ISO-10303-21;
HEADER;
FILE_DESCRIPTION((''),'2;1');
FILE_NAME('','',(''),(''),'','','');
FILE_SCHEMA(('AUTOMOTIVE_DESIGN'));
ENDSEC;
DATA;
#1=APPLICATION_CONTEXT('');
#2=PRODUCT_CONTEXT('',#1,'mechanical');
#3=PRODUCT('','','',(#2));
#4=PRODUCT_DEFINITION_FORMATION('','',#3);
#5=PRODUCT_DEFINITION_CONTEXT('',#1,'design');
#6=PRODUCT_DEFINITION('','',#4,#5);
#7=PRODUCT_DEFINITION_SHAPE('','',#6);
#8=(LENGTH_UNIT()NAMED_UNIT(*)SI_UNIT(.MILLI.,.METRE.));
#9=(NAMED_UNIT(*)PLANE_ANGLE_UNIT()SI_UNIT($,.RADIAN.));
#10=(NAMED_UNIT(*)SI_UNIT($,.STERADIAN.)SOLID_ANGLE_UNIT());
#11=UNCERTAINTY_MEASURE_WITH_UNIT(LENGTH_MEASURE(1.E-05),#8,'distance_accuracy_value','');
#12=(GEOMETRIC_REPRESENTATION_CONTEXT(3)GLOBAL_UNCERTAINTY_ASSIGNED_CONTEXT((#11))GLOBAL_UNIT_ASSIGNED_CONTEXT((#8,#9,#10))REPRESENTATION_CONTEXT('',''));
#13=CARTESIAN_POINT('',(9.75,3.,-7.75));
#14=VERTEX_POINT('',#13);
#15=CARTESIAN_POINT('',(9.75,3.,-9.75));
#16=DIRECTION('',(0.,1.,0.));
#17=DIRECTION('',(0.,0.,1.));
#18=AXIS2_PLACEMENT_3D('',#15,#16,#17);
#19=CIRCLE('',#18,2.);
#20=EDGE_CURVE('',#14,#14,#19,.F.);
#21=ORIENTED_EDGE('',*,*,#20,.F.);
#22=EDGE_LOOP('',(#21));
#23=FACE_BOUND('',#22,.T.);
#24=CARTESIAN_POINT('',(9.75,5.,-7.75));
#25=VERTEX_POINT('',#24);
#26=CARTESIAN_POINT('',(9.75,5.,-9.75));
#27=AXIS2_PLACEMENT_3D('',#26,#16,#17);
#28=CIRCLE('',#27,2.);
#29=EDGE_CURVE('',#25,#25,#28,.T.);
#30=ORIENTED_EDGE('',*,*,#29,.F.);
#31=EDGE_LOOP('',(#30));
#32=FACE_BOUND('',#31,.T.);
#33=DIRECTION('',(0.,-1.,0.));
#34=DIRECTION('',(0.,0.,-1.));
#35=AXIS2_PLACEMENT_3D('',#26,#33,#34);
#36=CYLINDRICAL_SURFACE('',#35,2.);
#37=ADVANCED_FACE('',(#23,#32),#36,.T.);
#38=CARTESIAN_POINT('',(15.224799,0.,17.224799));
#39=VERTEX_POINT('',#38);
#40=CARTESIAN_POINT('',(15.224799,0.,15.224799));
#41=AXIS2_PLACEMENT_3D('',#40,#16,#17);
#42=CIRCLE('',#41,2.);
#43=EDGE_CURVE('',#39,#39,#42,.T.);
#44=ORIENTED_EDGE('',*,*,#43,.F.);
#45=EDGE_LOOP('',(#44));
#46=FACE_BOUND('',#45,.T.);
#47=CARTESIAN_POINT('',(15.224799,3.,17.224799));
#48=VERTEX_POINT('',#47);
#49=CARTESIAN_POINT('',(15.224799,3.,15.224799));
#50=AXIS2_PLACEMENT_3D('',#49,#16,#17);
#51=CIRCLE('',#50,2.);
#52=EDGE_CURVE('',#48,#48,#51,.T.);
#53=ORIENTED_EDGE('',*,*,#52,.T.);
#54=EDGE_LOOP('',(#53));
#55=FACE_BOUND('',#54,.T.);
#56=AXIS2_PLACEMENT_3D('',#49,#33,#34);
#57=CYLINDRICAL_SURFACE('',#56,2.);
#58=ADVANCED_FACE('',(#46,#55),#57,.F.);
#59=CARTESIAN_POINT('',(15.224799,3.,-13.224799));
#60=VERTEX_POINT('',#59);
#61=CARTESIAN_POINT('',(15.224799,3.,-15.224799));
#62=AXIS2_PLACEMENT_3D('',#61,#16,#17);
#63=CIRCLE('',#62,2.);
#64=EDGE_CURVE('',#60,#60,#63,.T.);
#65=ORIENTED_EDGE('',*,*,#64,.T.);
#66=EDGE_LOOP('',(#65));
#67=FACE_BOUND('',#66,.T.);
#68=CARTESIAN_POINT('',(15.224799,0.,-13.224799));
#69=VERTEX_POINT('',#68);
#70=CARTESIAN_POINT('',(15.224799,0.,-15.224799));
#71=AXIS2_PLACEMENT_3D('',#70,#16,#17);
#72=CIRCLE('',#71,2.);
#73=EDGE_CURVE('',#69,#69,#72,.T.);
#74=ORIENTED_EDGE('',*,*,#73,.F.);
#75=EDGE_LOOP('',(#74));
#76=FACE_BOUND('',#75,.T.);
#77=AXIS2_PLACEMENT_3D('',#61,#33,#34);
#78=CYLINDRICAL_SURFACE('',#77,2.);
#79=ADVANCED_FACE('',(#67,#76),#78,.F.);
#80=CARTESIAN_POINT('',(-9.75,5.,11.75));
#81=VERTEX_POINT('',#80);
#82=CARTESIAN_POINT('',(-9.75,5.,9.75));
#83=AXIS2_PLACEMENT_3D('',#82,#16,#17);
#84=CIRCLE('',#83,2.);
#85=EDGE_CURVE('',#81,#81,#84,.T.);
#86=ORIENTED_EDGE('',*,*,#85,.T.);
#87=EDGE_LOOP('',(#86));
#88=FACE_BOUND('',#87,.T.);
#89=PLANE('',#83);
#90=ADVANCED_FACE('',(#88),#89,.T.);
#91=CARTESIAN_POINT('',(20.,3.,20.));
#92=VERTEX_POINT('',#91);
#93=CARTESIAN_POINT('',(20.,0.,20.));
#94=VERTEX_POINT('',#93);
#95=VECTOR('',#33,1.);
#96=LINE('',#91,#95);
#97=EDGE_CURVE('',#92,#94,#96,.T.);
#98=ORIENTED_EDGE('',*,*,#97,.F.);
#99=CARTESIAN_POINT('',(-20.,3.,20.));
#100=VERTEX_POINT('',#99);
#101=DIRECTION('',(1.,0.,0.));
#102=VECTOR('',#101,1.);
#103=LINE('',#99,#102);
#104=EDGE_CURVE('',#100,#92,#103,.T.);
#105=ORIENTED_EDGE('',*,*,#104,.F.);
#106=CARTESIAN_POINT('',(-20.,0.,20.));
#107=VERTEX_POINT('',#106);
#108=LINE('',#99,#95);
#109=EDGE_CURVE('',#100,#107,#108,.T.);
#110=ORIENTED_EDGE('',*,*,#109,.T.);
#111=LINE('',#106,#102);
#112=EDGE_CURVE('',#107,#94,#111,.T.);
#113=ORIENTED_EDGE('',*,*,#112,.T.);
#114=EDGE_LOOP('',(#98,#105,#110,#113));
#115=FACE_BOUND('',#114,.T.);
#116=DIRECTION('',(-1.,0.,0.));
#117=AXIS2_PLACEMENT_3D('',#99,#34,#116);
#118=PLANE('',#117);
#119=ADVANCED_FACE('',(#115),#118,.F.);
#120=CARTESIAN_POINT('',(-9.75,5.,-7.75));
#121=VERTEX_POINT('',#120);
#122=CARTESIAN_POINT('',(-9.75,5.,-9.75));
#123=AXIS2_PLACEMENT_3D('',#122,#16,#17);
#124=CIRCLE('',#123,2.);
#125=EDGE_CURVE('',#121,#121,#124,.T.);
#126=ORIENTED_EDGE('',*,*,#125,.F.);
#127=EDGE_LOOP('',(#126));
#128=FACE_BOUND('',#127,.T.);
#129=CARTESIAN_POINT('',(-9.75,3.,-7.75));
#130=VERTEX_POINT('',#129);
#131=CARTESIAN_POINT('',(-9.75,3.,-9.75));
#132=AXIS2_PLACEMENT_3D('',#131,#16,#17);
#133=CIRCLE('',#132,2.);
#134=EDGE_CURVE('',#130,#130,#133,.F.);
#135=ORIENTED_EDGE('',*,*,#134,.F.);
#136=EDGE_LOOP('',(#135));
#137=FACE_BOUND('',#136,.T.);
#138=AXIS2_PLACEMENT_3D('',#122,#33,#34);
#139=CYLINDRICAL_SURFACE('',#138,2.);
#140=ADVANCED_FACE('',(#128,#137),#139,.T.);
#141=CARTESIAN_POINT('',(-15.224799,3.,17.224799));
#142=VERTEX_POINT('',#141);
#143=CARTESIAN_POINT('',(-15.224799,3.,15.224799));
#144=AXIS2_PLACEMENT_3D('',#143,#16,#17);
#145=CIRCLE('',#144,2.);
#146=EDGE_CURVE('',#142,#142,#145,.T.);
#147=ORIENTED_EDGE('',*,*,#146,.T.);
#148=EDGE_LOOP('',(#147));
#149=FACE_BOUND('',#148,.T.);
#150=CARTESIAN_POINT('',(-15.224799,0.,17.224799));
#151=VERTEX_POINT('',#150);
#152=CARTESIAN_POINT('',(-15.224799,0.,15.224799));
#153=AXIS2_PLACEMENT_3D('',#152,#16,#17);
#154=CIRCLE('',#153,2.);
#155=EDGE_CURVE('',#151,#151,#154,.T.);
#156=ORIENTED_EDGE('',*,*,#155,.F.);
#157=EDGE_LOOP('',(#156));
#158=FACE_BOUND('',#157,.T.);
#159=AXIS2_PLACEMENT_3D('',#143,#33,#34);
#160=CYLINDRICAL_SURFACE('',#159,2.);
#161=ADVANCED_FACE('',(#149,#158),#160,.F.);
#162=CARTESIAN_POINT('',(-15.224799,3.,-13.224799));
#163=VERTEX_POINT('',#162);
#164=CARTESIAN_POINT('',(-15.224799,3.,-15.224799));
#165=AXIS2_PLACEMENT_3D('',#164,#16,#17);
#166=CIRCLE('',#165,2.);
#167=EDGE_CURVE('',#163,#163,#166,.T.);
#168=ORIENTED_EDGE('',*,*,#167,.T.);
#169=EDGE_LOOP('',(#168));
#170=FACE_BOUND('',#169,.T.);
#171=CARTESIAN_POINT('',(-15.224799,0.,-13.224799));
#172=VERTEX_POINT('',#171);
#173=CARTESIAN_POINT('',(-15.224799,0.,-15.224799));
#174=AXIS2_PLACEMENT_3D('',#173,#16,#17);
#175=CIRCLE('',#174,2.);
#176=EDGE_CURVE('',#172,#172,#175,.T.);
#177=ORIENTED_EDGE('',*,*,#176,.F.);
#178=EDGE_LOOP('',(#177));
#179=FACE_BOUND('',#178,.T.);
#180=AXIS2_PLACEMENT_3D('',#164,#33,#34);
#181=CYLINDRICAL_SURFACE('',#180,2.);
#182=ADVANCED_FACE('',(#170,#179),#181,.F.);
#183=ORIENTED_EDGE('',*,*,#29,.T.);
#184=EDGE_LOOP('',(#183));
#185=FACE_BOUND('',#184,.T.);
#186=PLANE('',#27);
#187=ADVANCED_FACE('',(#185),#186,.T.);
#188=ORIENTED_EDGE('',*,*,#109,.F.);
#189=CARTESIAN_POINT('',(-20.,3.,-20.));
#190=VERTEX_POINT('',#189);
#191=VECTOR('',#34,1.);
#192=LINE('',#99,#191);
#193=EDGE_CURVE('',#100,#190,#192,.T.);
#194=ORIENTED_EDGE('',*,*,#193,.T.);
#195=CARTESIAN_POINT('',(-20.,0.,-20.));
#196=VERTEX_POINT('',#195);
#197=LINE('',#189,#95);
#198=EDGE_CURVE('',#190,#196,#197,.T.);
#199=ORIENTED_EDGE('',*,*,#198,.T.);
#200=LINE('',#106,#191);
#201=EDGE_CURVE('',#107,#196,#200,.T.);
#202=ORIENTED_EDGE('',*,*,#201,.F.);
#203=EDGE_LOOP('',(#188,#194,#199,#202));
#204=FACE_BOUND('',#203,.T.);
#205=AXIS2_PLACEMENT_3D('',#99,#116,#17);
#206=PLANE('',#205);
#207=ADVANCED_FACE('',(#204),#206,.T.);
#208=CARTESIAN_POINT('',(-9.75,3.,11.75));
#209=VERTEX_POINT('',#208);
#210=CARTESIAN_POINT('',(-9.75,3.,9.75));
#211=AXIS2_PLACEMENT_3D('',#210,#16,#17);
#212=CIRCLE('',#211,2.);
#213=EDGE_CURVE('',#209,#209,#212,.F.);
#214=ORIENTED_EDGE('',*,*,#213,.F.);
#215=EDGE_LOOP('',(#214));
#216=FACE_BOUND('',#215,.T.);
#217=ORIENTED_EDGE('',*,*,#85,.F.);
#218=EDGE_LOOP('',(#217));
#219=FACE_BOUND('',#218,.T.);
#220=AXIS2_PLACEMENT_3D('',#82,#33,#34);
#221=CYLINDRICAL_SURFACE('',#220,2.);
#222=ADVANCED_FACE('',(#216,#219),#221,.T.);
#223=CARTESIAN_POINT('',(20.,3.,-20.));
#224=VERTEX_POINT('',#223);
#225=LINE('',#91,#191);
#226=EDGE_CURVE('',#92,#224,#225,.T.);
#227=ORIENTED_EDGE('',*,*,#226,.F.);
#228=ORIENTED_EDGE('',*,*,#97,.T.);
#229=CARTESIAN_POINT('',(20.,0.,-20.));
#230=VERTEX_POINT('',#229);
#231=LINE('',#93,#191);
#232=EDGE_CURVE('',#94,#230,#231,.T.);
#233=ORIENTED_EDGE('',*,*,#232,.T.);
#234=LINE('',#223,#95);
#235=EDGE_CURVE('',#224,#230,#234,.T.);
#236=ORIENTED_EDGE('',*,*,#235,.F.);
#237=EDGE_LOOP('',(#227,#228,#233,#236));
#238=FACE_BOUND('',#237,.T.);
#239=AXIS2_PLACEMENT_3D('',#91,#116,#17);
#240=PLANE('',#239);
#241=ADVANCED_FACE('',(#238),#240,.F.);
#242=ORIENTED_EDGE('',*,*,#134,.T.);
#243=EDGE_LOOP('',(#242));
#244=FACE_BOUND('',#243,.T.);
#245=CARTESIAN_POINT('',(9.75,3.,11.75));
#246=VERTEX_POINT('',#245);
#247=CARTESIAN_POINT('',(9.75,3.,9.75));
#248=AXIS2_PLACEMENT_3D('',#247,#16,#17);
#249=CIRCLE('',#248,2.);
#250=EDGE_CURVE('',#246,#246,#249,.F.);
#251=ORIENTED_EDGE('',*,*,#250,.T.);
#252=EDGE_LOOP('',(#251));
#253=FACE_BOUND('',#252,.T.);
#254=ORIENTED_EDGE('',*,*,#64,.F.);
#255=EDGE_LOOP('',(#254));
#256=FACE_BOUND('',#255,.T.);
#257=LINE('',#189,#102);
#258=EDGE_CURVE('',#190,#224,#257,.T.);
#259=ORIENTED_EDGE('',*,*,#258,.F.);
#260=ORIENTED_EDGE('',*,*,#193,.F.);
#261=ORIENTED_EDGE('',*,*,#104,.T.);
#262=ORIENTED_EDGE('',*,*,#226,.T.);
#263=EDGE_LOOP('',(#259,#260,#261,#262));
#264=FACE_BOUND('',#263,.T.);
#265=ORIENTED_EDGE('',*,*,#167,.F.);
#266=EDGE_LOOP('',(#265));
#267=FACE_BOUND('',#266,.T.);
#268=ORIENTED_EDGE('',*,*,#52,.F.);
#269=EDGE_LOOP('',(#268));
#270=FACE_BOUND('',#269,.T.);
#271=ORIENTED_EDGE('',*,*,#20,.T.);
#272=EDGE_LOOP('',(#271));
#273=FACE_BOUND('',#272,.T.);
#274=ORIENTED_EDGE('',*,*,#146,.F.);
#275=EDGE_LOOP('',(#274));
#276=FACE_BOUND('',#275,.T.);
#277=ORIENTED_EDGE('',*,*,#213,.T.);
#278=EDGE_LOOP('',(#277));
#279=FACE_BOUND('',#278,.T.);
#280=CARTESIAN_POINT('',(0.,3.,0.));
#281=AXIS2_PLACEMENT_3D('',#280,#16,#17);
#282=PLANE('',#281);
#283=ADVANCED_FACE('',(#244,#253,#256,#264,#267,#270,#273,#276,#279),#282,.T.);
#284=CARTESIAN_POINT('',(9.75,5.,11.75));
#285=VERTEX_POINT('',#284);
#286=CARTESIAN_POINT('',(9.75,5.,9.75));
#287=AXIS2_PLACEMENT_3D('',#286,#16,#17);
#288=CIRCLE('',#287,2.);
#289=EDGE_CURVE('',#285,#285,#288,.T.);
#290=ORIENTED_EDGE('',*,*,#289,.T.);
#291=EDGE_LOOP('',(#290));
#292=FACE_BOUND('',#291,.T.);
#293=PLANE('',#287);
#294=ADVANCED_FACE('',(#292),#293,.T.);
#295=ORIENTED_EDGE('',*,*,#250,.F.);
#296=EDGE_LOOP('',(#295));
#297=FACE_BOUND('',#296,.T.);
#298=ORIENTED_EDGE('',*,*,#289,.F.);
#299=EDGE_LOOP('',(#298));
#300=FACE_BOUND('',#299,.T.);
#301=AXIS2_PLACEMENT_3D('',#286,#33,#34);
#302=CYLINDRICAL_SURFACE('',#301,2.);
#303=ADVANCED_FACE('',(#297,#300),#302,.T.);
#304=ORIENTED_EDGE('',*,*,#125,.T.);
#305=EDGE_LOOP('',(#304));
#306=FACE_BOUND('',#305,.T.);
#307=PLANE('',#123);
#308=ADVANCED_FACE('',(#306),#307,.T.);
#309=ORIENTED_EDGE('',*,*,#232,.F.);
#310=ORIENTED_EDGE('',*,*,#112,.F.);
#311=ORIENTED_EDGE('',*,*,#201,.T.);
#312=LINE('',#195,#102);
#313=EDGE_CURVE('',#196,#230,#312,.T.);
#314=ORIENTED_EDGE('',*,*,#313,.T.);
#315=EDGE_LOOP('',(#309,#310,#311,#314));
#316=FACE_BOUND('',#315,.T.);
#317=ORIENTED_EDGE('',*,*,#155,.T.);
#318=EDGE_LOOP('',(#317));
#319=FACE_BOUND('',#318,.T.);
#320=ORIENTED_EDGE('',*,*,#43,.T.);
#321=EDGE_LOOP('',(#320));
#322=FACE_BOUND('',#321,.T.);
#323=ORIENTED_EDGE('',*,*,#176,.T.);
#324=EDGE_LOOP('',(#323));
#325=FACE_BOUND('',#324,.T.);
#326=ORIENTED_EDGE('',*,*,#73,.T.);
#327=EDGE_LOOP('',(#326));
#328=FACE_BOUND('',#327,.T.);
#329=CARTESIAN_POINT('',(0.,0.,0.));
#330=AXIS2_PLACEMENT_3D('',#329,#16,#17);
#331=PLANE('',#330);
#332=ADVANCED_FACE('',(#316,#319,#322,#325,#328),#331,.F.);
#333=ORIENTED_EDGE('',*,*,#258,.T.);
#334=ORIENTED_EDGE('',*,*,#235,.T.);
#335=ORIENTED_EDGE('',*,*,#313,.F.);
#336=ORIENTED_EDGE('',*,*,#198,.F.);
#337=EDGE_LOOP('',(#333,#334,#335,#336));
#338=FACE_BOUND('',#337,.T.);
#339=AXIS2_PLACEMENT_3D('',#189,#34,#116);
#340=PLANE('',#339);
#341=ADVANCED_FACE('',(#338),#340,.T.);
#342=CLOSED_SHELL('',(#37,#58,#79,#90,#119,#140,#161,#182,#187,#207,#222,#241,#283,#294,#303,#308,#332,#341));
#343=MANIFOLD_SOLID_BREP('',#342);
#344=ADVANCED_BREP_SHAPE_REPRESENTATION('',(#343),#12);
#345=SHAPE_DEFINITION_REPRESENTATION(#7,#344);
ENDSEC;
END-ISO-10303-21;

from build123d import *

# Parameters (mm, degrees)
SKETCH_2_W          = 40
SKETCH_2_H          = 40
EXTRUDE_2_DEPTH     = 3
SKETCH_3_R          = 2
CUT_EXTRUDE_1_DEPTH = 3
SKETCH_2_6_R        = 2
EXTRUDE_3_DEPTH     = 5


with BuildPart() as part:
    # 草图2 → 凸台-拉伸2 (new body)
    with BuildSketch(Plane(origin=(0, 0, 0), x_dir=(1, 0, 0), z_dir=(0, 1, 0))):
        Rectangle(SKETCH_2_W, SKETCH_2_H)
    extrude(amount=EXTRUDE_2_DEPTH)

    # 草图3 → 切除-拉伸1 (cut)
    with BuildSketch(Plane(origin=(0, 0, 0), x_dir=(1, 0, 0), z_dir=(0, 1, 0))):
        with Locations((-15.224798987, -15.224798987)):
            Circle(SKETCH_3_R)
        with Locations((15.224798987, -15.224798987)):
            Circle(SKETCH_3_R)
        with Locations((15.224798987, 15.224798987)):
            Circle(SKETCH_3_R)
        with Locations((-15.224798987, 15.224798987)):
            Circle(SKETCH_3_R)
    extrude(amount=CUT_EXTRUDE_1_DEPTH, mode=Mode.SUBTRACT)

    # 草图2<6> → 凸台-拉伸3 (add)
    with BuildSketch(Plane(origin=(0, 0, 0), x_dir=(1, 0, 0), z_dir=(0, 1, 0))):
        with Locations((9.75, 9.75)):
            Circle(SKETCH_2_6_R)
        with Locations((-9.75, 9.75)):
            Circle(SKETCH_2_6_R)
        with Locations((9.75, -9.75)):
            Circle(SKETCH_2_6_R)
        with Locations((-9.75, -9.75)):
            Circle(SKETCH_2_6_R)
    extrude(amount=EXTRUDE_3_DEPTH)


solid = part.part
